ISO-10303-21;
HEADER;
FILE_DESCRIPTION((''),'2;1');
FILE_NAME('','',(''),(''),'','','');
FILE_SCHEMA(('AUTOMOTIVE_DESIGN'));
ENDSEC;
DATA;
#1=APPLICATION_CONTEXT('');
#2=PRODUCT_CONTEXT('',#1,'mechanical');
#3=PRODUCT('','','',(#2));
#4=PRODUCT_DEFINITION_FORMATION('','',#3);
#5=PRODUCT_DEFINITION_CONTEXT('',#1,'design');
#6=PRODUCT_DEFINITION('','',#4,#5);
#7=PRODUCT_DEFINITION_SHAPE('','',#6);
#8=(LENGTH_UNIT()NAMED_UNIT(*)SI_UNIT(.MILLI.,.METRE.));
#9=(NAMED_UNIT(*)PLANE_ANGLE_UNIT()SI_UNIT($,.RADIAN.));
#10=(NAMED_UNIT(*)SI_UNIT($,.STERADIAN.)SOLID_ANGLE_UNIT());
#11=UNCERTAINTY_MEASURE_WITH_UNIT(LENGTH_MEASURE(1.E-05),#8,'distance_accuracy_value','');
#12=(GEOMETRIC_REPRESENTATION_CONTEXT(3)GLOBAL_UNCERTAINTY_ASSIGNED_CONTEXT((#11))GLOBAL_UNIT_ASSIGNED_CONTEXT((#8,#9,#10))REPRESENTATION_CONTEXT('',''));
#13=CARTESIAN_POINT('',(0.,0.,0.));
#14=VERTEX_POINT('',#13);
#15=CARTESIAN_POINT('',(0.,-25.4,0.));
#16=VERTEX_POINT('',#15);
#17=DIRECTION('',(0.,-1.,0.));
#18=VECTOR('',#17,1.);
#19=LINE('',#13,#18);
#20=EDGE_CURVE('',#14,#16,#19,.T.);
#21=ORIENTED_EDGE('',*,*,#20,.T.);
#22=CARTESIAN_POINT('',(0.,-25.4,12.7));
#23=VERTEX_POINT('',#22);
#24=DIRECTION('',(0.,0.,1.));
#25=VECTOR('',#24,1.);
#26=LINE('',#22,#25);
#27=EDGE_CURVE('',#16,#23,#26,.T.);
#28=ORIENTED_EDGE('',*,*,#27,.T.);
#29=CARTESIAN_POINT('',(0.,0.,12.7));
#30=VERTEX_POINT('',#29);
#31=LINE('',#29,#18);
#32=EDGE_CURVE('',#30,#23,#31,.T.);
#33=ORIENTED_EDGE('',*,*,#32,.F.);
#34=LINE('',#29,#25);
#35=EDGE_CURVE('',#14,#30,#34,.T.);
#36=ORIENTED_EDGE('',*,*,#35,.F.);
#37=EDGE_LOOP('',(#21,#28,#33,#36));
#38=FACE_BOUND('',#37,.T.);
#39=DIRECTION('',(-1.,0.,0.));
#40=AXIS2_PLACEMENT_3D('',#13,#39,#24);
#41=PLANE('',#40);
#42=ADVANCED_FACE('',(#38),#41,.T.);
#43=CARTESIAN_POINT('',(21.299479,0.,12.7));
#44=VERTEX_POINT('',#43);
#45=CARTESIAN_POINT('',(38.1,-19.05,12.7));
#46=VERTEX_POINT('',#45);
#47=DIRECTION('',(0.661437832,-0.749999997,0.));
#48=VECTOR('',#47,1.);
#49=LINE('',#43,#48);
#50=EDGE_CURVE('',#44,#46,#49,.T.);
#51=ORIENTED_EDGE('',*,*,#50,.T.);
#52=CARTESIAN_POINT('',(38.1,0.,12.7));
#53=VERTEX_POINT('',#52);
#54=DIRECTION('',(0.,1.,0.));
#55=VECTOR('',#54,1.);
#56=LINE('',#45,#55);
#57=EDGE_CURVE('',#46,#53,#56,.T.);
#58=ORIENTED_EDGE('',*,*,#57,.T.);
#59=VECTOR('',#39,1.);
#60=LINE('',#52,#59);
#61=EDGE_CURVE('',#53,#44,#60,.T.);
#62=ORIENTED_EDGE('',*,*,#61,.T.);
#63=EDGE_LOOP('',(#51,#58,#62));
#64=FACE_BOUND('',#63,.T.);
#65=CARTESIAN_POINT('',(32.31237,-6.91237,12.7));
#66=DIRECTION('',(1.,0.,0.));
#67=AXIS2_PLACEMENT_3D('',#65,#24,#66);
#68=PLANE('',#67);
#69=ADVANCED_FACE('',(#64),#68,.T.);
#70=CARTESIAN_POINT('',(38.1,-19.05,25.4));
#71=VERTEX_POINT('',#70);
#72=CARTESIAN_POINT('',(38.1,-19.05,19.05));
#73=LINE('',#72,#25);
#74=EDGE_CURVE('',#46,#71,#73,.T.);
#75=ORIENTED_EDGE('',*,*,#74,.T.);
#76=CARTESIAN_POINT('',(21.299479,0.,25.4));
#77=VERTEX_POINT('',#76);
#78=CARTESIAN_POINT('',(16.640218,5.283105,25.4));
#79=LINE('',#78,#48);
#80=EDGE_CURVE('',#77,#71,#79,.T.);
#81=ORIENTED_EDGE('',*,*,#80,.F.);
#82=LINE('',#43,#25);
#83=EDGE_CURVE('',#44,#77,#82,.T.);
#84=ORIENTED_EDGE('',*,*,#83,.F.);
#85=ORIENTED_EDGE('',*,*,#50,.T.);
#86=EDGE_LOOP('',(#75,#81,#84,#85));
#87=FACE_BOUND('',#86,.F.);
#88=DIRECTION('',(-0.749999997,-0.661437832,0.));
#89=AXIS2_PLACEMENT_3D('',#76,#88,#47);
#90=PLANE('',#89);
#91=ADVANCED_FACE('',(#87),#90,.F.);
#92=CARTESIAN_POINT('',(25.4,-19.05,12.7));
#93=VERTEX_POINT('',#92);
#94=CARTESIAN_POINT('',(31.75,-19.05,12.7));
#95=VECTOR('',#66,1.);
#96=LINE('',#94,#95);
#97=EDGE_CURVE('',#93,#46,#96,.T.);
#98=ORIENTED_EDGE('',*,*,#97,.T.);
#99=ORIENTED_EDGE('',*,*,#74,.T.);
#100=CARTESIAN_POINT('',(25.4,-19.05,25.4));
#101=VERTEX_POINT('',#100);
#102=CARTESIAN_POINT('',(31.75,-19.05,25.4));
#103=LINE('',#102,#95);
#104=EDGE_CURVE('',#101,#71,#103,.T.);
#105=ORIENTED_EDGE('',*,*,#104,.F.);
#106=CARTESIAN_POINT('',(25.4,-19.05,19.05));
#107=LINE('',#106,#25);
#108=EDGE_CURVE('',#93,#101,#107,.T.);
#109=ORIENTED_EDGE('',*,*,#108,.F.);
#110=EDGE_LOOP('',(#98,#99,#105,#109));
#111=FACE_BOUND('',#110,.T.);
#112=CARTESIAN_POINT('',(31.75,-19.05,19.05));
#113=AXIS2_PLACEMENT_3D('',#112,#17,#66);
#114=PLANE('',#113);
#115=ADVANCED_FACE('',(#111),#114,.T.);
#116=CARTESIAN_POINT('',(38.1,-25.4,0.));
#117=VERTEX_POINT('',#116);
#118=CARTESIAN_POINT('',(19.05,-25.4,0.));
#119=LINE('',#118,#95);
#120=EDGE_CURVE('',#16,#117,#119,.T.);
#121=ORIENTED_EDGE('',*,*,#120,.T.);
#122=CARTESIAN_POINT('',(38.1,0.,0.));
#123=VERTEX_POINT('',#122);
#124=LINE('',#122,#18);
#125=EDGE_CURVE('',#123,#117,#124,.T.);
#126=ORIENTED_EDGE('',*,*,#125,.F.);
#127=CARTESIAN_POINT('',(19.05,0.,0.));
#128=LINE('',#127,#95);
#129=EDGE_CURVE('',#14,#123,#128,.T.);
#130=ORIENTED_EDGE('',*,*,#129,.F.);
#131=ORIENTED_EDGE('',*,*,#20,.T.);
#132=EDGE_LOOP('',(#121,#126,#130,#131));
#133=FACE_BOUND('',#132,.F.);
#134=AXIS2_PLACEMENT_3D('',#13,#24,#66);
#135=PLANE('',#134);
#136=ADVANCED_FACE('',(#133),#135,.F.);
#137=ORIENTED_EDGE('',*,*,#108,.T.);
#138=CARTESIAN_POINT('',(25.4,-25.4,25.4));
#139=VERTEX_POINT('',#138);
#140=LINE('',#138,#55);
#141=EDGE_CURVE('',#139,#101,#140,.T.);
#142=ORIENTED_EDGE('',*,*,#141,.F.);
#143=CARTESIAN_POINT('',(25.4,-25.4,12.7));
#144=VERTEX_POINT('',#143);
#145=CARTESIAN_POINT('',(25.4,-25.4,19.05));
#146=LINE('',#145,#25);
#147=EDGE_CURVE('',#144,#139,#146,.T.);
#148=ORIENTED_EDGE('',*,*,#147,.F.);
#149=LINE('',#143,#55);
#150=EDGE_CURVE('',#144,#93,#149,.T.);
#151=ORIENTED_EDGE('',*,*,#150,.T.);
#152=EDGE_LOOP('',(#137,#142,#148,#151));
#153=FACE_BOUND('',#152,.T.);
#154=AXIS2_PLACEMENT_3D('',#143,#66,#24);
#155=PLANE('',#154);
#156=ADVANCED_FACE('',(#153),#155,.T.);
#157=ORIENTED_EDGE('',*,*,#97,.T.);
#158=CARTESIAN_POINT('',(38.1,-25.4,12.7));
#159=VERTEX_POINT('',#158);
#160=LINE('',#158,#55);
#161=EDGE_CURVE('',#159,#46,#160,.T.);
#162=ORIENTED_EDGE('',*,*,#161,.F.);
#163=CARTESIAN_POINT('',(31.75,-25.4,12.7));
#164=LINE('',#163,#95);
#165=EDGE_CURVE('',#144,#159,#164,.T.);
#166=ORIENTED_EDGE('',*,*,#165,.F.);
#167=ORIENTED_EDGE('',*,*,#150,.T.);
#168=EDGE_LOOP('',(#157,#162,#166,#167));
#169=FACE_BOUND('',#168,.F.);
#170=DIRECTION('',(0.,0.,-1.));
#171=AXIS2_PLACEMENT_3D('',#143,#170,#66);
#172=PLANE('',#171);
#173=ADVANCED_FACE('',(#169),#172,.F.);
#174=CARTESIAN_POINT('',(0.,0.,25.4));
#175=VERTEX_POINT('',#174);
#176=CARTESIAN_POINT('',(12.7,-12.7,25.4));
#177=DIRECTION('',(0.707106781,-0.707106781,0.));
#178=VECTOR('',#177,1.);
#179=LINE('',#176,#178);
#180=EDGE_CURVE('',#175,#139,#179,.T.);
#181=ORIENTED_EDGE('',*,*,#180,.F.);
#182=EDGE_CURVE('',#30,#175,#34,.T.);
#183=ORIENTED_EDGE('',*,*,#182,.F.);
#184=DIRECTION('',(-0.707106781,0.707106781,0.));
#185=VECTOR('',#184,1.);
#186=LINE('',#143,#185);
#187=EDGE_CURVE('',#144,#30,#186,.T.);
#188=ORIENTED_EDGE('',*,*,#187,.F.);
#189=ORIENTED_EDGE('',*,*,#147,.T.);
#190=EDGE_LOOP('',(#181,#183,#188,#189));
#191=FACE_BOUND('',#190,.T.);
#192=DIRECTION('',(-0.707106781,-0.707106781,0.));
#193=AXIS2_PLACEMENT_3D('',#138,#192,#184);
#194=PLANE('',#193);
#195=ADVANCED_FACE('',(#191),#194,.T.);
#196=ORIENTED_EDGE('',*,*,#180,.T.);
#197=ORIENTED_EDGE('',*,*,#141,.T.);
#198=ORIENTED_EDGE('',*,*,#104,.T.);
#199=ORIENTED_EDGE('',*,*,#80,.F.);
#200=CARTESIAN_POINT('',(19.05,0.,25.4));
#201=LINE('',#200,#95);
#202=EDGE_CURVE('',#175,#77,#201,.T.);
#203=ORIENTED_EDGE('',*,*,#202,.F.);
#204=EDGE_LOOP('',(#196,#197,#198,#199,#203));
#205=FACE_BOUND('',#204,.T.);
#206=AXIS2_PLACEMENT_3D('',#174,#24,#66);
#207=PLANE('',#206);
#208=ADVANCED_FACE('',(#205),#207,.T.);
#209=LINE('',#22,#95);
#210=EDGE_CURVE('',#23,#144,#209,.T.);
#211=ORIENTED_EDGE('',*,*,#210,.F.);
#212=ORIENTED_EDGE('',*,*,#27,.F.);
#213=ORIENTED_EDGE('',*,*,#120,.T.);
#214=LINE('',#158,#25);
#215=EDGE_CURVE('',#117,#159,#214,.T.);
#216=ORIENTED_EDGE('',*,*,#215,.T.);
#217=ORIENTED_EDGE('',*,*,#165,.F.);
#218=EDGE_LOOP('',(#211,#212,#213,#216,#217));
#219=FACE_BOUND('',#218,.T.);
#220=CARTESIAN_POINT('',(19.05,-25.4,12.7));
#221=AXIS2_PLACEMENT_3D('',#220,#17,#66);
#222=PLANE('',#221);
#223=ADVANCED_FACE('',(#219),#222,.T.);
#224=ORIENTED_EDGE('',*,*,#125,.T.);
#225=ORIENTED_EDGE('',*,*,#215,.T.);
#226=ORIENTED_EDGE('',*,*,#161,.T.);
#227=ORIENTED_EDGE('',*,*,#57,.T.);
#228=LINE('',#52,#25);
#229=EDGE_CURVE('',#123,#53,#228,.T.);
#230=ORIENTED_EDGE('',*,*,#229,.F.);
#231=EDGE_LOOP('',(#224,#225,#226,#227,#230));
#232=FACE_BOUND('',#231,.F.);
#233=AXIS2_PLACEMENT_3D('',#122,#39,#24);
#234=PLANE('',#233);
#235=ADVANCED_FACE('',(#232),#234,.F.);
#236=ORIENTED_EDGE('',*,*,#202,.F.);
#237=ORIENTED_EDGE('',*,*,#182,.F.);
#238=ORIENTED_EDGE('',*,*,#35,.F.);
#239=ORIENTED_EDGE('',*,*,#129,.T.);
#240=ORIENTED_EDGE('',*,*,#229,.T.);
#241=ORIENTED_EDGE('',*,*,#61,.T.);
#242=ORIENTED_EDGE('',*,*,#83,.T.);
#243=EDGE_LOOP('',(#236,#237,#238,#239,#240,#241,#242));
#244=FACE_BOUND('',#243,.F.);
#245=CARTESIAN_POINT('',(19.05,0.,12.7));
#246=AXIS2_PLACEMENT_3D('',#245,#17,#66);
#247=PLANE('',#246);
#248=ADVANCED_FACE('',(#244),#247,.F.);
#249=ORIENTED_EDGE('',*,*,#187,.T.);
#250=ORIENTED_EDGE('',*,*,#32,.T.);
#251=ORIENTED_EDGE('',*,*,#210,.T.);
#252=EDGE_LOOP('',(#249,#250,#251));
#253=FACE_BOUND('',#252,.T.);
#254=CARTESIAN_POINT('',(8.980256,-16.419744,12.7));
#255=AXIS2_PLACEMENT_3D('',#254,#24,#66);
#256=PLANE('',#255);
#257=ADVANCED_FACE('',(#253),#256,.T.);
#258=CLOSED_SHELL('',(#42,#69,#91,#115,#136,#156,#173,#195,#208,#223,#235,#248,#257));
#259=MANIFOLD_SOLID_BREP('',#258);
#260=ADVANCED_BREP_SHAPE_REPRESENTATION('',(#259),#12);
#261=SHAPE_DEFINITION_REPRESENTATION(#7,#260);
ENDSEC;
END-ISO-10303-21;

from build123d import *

# Parameters (mm, degrees)
F0_W     = 38.1
F0_H     = 25.4
F1_DEPTH = 25.4
F2_W     = 12.7
F2_H     = 12.7
F3_DEPTH = 6.35
F5_DEPTH = 12.7


with BuildPart() as f1:
    # F0 (on Front) → F1 (new body)
    with BuildSketch(Plane.XZ):
        with Locations((19.05, 12.7)):
            Rectangle(F0_W, F0_H)
    extrude(amount=F1_DEPTH)

    # F2 (on face) → F3 (cut)
    with BuildSketch(Plane.XZ.offset(25.4)):
        with Locations((31.75, 19.05)):
            Rectangle(F2_W, F2_H)
    extrude(amount=-F3_DEPTH, mode=Mode.SUBTRACT)

    # F4 (on face) → F5 (cut, symmetric)
    with BuildSketch(Plane.XY.offset(25.4)):
        Polygon((25.4, -25.4), (0, 0), (0, -25.4), align=None)
        Polygon((38.1, 0), (21.299479, 0), (38.1, -19.05), align=None)
    extrude(amount=F5_DEPTH, both=True, mode=Mode.SUBTRACT)


solid = f1.part
